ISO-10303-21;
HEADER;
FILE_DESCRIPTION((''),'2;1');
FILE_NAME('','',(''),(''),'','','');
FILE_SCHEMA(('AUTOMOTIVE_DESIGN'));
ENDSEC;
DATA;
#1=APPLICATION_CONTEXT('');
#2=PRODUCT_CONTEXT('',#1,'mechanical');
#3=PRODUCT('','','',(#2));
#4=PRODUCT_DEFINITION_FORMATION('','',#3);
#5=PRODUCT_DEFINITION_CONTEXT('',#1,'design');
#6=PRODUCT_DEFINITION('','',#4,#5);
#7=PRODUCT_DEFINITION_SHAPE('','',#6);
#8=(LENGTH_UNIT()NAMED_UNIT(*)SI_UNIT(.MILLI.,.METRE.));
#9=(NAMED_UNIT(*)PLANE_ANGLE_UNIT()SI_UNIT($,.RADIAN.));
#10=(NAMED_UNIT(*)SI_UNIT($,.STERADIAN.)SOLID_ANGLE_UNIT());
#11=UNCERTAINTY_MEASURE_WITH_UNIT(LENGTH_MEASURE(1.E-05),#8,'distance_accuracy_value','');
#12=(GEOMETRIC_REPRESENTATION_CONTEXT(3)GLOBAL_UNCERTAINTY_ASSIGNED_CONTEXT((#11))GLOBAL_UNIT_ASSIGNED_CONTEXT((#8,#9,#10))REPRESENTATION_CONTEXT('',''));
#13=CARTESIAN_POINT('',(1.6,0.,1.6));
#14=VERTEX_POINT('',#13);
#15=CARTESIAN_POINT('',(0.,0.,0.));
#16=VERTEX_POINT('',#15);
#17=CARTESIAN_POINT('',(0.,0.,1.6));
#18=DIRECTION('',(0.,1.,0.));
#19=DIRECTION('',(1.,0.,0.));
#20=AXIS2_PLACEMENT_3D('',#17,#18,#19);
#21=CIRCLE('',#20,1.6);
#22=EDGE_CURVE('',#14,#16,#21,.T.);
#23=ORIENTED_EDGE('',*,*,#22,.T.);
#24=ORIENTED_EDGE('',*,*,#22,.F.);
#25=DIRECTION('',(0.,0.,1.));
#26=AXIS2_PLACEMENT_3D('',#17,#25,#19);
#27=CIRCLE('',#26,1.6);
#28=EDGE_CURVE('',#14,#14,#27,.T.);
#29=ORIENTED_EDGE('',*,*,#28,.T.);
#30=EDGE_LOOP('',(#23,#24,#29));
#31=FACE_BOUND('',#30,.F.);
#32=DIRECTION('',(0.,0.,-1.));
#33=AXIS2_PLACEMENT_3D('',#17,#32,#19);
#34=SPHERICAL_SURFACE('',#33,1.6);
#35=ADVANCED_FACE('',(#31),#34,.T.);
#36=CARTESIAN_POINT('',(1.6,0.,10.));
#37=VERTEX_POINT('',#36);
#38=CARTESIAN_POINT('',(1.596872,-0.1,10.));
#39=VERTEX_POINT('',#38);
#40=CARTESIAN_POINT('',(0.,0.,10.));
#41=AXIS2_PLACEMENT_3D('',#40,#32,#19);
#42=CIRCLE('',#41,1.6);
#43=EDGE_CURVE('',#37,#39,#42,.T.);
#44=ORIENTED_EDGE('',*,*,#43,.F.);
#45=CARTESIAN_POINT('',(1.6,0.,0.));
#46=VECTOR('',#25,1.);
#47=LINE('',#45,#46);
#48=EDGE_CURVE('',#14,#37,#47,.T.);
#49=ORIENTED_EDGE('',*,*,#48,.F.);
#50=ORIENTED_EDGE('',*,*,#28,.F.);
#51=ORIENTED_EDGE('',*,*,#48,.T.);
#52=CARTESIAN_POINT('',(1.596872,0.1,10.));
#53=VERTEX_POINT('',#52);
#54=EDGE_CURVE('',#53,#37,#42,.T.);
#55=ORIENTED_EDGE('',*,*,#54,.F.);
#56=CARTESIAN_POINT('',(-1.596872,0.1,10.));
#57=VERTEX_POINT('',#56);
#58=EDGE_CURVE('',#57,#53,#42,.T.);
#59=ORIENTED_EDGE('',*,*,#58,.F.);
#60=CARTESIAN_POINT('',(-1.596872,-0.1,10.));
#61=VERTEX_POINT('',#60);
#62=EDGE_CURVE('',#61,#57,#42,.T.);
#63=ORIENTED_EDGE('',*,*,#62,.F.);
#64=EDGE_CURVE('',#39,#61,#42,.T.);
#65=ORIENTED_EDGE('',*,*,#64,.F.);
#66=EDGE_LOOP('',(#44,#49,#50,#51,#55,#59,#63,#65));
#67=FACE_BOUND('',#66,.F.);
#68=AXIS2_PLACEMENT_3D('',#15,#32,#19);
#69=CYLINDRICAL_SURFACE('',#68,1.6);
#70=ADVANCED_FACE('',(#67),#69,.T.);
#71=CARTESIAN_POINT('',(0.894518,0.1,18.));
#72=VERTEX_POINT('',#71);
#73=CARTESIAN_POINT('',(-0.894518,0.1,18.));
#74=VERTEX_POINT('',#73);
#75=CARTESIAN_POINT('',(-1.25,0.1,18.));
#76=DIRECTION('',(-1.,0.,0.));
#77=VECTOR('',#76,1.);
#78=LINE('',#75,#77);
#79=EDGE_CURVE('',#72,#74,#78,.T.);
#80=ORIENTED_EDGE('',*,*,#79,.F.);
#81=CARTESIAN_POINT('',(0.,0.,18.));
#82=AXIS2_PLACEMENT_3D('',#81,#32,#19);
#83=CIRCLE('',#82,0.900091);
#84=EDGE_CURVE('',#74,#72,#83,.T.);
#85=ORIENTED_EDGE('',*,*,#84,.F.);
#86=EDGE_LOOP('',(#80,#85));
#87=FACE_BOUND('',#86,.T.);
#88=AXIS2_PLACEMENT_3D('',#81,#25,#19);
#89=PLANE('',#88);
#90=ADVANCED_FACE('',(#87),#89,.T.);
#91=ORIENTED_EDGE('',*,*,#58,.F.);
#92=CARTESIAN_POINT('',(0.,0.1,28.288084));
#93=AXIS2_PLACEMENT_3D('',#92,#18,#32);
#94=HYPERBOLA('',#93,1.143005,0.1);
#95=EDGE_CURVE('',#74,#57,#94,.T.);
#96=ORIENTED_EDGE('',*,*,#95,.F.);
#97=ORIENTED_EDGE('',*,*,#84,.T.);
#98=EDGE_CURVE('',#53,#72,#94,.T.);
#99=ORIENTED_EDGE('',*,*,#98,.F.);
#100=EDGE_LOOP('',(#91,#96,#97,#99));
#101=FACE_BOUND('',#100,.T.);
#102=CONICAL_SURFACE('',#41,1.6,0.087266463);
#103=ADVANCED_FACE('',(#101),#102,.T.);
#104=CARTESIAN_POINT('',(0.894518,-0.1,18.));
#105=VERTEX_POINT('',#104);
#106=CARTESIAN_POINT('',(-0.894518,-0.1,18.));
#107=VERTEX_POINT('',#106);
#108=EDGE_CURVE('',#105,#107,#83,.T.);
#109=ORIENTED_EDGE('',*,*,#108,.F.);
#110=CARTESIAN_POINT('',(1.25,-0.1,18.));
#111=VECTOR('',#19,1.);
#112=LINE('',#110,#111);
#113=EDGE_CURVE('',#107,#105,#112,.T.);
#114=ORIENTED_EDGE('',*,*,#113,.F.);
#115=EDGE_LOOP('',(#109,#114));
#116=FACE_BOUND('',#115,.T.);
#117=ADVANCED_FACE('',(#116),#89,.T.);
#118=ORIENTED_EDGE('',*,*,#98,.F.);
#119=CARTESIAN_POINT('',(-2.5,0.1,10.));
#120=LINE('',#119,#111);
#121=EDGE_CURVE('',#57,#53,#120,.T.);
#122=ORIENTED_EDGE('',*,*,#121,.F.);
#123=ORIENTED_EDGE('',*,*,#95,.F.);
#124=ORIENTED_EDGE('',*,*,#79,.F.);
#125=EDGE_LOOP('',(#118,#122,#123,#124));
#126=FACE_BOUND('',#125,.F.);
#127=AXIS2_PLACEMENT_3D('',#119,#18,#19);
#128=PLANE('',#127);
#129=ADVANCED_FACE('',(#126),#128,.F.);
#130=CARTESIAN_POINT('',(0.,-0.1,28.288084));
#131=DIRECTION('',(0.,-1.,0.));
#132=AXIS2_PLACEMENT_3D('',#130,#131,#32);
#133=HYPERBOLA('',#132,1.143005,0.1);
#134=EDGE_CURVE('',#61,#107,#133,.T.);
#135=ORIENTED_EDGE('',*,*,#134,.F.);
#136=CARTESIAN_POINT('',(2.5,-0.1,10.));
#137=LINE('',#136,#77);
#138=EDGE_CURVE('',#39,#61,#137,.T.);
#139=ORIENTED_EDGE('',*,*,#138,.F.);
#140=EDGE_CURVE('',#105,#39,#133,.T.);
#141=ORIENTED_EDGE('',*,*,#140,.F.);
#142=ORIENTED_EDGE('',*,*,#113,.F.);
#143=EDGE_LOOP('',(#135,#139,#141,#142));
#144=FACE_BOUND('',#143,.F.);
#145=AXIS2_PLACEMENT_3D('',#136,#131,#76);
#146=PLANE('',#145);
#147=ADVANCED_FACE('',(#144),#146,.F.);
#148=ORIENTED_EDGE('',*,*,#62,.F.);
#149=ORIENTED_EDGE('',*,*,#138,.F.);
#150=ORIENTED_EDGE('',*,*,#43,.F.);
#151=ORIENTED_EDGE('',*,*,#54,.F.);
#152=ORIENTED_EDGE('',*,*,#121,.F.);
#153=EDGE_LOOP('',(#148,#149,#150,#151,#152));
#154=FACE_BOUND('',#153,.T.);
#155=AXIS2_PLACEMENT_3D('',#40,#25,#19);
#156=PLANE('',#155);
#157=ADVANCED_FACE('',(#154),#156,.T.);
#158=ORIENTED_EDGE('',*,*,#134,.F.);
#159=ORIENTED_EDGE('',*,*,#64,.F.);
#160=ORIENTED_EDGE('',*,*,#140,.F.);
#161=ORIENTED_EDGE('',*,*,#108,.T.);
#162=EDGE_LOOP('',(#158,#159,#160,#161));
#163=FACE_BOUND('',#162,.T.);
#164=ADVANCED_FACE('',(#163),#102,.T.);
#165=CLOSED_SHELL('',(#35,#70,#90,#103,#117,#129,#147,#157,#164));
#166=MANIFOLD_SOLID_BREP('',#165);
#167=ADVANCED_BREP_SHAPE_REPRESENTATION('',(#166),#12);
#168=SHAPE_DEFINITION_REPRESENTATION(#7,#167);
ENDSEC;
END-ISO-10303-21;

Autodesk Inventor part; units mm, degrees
ref_plane "YZ Plane" through (0, 0, 0) normal (1, 0, 0) x (0, 1, 0)
ref_plane "XZ Plane" through (0, 0, 0) normal (0, 1, 0) x (-1, 0, 0)
ref_plane "XY Plane" through (0, 0, 0) normal (0, 0, 1) x (1, 0, 0)
sketch "草圖1" plane through (0, 0, 0) normal (0, 0, 1) x (1, 0, 0)
  circle A0 centre (0, 0) radius 1.6
  dimension "d0" = 3.2
extrude "擠出1" add sketch "草圖1" along normal blind 10
sketch "草圖2" plane through (0, 0, 10) normal (0, 0, 1) x (1, 0, 0)
  line L0 (2.5, -0.1) -> (-2.5, -0.1)
  line L1 (-2.5, -0.1) -> (-2.5, 0.1)
  line L2 (-2.5, 0.1) -> (2.5, 0.1)
  line L3 (2.5, 0.1) -> (2.5, -0.1)
  line L4 (2.5, -0.1) -> (-2.5, 0.1) construction
  line L5 (-2.5, -0.1) -> (2.5, 0.1) construction
  point P0 (0, 0)
  dimension "d3" = 5
  dimension "d4" = 0.2
sketch "草圖3" plane through (0, 0, 10) normal (0, 0, 1) x (1, 0, 0)
  circle A0 centre (0, 0) radius 1.6 projected
extrude "擠出2" add sketch "草圖3" along normal blind 8 draft -5
extrude "擠出3" cut sketch "草圖2" along normal through all
fillet "圓角1" radius 1.6 1 edges at (-1.6, 0, 0)
properties part number "PMECAD_LEGOmini_FlagFrame" material "松木、赤松"
